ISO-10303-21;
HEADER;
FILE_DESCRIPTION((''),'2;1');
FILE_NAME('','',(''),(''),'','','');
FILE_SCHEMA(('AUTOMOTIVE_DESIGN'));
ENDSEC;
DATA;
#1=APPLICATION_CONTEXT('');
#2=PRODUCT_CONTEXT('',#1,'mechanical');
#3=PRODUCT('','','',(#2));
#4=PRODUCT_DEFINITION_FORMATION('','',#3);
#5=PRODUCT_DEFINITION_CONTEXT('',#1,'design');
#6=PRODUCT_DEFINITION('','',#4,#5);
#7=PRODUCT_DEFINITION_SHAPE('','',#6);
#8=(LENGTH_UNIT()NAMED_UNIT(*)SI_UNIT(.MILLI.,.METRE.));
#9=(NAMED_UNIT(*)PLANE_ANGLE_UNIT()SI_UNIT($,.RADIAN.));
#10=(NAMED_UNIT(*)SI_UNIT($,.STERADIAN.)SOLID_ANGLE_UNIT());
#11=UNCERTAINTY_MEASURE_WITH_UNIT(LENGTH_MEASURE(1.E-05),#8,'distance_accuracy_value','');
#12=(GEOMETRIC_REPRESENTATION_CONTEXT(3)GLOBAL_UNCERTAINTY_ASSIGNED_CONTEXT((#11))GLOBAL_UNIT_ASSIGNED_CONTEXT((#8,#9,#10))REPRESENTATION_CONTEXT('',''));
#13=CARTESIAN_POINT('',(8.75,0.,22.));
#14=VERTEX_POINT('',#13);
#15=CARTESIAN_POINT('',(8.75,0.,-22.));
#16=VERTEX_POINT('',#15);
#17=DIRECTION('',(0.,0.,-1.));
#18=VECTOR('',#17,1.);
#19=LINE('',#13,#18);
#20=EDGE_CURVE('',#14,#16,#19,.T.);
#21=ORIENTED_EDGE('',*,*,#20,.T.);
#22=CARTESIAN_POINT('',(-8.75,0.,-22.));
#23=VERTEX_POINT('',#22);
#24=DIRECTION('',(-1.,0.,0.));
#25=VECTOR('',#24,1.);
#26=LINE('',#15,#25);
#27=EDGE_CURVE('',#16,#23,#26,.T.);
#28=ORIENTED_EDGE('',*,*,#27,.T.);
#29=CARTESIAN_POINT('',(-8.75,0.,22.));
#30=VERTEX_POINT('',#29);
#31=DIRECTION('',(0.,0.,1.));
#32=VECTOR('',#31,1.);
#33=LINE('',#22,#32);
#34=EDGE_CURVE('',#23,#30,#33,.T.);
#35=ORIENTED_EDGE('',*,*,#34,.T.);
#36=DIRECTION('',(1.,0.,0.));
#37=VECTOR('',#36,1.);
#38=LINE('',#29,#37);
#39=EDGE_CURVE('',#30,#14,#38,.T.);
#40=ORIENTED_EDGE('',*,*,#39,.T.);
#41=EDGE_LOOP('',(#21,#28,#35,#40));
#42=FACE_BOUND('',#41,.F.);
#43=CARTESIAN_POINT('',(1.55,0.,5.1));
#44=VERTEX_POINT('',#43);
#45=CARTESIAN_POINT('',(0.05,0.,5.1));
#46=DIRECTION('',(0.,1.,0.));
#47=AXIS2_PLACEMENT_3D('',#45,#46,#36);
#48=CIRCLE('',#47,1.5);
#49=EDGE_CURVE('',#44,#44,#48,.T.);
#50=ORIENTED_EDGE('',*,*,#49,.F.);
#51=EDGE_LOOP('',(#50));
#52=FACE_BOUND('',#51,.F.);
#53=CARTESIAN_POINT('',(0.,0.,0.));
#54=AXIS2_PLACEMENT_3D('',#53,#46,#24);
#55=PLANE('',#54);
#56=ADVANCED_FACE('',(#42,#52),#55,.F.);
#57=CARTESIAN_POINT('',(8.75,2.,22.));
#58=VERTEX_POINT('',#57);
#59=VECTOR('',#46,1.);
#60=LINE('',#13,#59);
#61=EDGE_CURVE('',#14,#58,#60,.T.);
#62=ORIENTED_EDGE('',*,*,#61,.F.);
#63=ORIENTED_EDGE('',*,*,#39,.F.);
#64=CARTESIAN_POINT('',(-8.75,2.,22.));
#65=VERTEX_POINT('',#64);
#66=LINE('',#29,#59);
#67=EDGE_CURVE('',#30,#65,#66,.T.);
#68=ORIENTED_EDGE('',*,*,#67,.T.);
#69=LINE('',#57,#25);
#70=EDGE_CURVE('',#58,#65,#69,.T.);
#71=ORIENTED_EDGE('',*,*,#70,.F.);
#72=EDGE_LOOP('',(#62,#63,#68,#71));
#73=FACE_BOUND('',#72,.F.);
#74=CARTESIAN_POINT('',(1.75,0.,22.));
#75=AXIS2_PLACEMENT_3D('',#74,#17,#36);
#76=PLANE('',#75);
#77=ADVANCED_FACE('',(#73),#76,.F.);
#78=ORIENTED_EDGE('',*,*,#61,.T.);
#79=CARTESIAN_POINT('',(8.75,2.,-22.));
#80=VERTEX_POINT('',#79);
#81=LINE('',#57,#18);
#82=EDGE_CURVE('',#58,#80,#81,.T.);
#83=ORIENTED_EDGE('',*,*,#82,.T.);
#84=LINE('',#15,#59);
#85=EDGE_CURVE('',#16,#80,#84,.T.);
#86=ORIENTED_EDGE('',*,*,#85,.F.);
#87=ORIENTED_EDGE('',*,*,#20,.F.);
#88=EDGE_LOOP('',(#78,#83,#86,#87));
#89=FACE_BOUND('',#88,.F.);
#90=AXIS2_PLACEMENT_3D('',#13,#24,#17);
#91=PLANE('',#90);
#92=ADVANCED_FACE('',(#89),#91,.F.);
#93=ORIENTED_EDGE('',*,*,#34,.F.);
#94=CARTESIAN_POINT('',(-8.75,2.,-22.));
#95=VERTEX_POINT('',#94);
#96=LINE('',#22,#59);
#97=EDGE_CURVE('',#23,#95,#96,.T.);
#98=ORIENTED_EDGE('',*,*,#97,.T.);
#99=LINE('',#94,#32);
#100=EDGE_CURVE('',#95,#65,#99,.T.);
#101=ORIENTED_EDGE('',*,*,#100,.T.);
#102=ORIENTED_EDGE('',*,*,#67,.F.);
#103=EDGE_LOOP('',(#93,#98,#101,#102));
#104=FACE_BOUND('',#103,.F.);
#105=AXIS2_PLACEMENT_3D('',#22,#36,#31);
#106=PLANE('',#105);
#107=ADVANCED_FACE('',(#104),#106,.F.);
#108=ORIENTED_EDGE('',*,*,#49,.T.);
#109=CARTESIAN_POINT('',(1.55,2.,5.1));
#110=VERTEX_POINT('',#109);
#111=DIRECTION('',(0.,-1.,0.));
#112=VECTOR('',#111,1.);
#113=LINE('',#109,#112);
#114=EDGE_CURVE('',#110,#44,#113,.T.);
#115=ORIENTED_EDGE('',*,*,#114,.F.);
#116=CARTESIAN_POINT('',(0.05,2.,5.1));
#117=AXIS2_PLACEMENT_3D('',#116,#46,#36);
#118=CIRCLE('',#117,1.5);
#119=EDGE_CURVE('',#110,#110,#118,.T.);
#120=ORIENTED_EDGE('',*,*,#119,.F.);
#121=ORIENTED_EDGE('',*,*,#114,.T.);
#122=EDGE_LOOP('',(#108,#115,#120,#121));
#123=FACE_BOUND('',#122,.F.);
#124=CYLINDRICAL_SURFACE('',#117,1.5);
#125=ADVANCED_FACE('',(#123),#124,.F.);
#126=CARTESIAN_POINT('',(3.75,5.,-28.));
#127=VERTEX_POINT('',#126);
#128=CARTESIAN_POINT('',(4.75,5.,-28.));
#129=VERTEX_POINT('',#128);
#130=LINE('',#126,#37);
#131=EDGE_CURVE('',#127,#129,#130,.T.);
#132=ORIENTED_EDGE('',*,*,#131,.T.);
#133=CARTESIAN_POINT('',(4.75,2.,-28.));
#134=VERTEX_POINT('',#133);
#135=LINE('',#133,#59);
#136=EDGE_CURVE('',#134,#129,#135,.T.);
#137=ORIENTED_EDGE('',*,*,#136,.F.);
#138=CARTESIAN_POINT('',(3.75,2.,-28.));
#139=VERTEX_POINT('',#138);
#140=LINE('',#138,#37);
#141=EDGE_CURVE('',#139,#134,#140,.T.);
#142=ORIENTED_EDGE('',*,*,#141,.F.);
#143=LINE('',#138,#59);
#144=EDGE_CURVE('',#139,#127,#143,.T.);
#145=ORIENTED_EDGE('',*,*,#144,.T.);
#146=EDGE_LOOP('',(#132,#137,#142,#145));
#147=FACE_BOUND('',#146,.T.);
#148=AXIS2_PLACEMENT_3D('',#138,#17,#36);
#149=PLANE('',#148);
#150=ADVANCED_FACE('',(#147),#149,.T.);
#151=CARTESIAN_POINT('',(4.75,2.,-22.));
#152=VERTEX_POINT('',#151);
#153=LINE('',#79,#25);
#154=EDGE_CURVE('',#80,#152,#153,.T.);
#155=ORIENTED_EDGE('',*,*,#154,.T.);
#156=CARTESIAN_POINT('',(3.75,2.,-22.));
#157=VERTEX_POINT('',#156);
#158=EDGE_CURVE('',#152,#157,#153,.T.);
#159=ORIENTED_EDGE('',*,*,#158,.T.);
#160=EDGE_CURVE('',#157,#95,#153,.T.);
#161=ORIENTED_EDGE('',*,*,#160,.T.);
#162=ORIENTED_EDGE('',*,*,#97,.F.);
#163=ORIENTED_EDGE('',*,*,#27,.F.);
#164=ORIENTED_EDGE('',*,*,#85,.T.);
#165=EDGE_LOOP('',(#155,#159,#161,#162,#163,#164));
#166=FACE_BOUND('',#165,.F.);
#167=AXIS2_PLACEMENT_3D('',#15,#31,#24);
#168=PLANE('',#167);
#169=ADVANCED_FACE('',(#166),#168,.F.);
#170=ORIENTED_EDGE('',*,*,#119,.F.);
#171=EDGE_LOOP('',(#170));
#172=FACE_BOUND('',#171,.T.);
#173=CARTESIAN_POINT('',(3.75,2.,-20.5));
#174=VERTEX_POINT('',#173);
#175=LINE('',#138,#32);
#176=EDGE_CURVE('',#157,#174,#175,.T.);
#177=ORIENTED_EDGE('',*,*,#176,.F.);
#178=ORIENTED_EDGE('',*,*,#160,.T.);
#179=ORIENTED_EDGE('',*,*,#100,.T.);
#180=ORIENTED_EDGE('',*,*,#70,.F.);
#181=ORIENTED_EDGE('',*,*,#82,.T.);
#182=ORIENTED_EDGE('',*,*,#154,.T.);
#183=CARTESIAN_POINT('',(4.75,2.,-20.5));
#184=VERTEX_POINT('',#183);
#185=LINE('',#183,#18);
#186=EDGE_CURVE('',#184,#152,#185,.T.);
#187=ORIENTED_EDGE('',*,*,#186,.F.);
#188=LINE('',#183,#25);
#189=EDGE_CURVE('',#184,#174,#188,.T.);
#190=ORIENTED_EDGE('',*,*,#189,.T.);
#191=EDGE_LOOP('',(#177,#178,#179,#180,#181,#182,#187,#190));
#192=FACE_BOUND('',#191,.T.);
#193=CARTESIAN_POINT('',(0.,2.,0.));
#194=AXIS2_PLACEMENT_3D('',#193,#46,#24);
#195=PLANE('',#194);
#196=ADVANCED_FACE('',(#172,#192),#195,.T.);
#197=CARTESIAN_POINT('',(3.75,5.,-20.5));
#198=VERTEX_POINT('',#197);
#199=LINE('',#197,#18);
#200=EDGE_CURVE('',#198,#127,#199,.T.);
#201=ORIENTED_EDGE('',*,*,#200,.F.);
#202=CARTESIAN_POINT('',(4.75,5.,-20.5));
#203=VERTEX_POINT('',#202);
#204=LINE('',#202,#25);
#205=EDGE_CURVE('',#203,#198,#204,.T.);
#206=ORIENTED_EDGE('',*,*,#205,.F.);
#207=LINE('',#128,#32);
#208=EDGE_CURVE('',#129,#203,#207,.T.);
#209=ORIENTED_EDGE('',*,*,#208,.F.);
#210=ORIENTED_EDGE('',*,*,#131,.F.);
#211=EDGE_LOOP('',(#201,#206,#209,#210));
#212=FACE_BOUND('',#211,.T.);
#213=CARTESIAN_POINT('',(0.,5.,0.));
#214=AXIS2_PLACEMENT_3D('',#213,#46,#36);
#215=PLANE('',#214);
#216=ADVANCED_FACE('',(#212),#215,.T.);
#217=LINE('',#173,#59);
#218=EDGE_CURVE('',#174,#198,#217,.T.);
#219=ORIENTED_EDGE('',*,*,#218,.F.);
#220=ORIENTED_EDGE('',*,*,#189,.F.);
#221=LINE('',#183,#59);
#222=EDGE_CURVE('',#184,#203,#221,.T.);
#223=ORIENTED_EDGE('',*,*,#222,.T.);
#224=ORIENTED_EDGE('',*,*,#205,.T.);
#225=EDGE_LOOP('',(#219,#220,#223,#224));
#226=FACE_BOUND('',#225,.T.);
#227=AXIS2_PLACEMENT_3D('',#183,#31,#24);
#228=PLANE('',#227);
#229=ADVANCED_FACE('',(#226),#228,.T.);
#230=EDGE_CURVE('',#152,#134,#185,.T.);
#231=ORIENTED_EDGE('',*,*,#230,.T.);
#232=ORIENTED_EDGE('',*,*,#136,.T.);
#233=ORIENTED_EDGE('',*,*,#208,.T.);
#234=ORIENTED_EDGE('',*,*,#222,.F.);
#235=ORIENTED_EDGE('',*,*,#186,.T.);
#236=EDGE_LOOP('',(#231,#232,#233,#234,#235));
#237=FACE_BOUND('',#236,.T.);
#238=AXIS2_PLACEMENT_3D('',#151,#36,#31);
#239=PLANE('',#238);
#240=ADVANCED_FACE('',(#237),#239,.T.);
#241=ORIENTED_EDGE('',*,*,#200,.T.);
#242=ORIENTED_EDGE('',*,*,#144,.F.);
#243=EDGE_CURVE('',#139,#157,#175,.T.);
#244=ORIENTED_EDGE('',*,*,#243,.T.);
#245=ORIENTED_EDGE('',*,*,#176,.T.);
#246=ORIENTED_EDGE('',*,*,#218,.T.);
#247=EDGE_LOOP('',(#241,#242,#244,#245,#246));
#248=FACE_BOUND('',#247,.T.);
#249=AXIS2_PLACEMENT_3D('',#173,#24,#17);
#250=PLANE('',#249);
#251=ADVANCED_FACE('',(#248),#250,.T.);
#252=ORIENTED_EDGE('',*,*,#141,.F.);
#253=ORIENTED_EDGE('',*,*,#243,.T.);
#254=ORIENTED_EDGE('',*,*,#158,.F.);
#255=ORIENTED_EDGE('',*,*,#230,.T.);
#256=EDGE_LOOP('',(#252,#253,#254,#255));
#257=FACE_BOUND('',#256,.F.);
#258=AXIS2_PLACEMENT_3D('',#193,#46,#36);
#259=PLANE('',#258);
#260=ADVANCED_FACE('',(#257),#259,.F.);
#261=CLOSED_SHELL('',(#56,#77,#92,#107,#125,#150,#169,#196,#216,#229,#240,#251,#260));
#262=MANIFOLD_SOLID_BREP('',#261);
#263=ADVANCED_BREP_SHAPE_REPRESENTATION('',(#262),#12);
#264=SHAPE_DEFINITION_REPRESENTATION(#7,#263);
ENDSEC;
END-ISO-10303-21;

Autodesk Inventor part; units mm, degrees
ref_plane "YZ Plane" through (0, 0, 0) normal (1, 0, 0) x (0, 1, 0)
ref_plane "XZ Plane" through (0, 0, 0) normal (0, 1, 0) x (-1, 0, 0)
ref_plane "XY Plane" through (0, 0, 0) normal (0, 0, 1) x (1, 0, 0)
sketch "Sketch1" plane through (0, 0, 0) normal (0, 1, 0) x (-1, 0, 0)
  line L0 (-8.75, 22) -> (-8.75, -22)
  line L1 (-8.75, -22) -> (8.75, -22)
  line L2 (8.75, -22) -> (8.75, 22)
  line L3 (8.75, 22) -> (-8.75, 22)
  line L4 (-8.75, 22) -> (8.75, -22) construction
  line L5 (-8.75, -22) -> (8.75, 22) construction
  line L6 (-8.75, 22) -> (-1.75, 22)
  point P0 (0, 0)
  dimension "d1" = 44
  dimension "d2" = 17.5
extrude "Extrusion1" add sketch "Sketch1" along normal blind 2
sketch "Sketch2" plane through (0, 2, 0) normal (0, 1, 0) x (1, 0, 0)
  line L0 (8.75, 22) -> (-8.75, 22) projected
  line L1 (-8.6195, 22) -> (8.6907, 22) construction
  line L2 (8.6907, 22) -> (8.6907, -23.9682) construction
  line L3 (8.6907, -23.9682) -> (-8.6195, -23.9682) construction
  line L4 (-8.6195, -23.9682) -> (-8.6195, 22) construction
  circle A0 centre (0.05, -5.1) radius 1.5
  line L5 (8.75, -22) -> (8.75, 22) projected
  line L6 (-8.75, -22) -> (8.75, -22) projected
  point P0 (0, 0)
  dimension "d39" = 3
  dimension "d42" = 8.7
  dimension "d43" = 16.9
decal "Decal1"
sketch "Sketch3" plane through (0, 2, 0) normal (0, 1, 0) x (1, 0, 0)
  circle A0 centre (0.05, -5.1) radius 1.5
  line L0 (8.75, -22) -> (8.75, -101.371)
  line L1 (-21.6488, -22) -> (8.75, -22)
  line L2 (8.75, -22) -> (8.75, 22) projected
  line L3 (-8.75, -22) -> (8.75, -22) projected
  point P0 (0, 0)
  point P1 (-12.8988, -61.6855)
  dimension "d44" = 3
  dimension "d45" = 8.7
  dimension "d46" = 16.9
extrude "Extrusion2" cut sketch "Sketch3" against normal through all
sketch "Sketch4" plane through (0, 2, 0) normal (0, 1, 0) x (1, 0, 0)
  line L0 (4.75, 20.5) -> (3.75, 20.5)
  line L1 (3.75, 20.5) -> (3.75, 28)
  line L2 (3.75, 28) -> (4.75, 28)
  line L3 (4.75, 28) -> (4.75, 20.5)
  line L4 (8.75, -22) -> (8.75, 22) projected
  line L5 (8.75, 22) -> (-8.75, 22) projected
  point P0 (0, 0)
  dimension "d51" = 4
  dimension "d52" = 1
  dimension "d53" = 1.5
  dimension "d54" = 7.5
extrude "Extrusion3" add sketch "Sketch4" along normal blind 3
properties part number "3DModel"
